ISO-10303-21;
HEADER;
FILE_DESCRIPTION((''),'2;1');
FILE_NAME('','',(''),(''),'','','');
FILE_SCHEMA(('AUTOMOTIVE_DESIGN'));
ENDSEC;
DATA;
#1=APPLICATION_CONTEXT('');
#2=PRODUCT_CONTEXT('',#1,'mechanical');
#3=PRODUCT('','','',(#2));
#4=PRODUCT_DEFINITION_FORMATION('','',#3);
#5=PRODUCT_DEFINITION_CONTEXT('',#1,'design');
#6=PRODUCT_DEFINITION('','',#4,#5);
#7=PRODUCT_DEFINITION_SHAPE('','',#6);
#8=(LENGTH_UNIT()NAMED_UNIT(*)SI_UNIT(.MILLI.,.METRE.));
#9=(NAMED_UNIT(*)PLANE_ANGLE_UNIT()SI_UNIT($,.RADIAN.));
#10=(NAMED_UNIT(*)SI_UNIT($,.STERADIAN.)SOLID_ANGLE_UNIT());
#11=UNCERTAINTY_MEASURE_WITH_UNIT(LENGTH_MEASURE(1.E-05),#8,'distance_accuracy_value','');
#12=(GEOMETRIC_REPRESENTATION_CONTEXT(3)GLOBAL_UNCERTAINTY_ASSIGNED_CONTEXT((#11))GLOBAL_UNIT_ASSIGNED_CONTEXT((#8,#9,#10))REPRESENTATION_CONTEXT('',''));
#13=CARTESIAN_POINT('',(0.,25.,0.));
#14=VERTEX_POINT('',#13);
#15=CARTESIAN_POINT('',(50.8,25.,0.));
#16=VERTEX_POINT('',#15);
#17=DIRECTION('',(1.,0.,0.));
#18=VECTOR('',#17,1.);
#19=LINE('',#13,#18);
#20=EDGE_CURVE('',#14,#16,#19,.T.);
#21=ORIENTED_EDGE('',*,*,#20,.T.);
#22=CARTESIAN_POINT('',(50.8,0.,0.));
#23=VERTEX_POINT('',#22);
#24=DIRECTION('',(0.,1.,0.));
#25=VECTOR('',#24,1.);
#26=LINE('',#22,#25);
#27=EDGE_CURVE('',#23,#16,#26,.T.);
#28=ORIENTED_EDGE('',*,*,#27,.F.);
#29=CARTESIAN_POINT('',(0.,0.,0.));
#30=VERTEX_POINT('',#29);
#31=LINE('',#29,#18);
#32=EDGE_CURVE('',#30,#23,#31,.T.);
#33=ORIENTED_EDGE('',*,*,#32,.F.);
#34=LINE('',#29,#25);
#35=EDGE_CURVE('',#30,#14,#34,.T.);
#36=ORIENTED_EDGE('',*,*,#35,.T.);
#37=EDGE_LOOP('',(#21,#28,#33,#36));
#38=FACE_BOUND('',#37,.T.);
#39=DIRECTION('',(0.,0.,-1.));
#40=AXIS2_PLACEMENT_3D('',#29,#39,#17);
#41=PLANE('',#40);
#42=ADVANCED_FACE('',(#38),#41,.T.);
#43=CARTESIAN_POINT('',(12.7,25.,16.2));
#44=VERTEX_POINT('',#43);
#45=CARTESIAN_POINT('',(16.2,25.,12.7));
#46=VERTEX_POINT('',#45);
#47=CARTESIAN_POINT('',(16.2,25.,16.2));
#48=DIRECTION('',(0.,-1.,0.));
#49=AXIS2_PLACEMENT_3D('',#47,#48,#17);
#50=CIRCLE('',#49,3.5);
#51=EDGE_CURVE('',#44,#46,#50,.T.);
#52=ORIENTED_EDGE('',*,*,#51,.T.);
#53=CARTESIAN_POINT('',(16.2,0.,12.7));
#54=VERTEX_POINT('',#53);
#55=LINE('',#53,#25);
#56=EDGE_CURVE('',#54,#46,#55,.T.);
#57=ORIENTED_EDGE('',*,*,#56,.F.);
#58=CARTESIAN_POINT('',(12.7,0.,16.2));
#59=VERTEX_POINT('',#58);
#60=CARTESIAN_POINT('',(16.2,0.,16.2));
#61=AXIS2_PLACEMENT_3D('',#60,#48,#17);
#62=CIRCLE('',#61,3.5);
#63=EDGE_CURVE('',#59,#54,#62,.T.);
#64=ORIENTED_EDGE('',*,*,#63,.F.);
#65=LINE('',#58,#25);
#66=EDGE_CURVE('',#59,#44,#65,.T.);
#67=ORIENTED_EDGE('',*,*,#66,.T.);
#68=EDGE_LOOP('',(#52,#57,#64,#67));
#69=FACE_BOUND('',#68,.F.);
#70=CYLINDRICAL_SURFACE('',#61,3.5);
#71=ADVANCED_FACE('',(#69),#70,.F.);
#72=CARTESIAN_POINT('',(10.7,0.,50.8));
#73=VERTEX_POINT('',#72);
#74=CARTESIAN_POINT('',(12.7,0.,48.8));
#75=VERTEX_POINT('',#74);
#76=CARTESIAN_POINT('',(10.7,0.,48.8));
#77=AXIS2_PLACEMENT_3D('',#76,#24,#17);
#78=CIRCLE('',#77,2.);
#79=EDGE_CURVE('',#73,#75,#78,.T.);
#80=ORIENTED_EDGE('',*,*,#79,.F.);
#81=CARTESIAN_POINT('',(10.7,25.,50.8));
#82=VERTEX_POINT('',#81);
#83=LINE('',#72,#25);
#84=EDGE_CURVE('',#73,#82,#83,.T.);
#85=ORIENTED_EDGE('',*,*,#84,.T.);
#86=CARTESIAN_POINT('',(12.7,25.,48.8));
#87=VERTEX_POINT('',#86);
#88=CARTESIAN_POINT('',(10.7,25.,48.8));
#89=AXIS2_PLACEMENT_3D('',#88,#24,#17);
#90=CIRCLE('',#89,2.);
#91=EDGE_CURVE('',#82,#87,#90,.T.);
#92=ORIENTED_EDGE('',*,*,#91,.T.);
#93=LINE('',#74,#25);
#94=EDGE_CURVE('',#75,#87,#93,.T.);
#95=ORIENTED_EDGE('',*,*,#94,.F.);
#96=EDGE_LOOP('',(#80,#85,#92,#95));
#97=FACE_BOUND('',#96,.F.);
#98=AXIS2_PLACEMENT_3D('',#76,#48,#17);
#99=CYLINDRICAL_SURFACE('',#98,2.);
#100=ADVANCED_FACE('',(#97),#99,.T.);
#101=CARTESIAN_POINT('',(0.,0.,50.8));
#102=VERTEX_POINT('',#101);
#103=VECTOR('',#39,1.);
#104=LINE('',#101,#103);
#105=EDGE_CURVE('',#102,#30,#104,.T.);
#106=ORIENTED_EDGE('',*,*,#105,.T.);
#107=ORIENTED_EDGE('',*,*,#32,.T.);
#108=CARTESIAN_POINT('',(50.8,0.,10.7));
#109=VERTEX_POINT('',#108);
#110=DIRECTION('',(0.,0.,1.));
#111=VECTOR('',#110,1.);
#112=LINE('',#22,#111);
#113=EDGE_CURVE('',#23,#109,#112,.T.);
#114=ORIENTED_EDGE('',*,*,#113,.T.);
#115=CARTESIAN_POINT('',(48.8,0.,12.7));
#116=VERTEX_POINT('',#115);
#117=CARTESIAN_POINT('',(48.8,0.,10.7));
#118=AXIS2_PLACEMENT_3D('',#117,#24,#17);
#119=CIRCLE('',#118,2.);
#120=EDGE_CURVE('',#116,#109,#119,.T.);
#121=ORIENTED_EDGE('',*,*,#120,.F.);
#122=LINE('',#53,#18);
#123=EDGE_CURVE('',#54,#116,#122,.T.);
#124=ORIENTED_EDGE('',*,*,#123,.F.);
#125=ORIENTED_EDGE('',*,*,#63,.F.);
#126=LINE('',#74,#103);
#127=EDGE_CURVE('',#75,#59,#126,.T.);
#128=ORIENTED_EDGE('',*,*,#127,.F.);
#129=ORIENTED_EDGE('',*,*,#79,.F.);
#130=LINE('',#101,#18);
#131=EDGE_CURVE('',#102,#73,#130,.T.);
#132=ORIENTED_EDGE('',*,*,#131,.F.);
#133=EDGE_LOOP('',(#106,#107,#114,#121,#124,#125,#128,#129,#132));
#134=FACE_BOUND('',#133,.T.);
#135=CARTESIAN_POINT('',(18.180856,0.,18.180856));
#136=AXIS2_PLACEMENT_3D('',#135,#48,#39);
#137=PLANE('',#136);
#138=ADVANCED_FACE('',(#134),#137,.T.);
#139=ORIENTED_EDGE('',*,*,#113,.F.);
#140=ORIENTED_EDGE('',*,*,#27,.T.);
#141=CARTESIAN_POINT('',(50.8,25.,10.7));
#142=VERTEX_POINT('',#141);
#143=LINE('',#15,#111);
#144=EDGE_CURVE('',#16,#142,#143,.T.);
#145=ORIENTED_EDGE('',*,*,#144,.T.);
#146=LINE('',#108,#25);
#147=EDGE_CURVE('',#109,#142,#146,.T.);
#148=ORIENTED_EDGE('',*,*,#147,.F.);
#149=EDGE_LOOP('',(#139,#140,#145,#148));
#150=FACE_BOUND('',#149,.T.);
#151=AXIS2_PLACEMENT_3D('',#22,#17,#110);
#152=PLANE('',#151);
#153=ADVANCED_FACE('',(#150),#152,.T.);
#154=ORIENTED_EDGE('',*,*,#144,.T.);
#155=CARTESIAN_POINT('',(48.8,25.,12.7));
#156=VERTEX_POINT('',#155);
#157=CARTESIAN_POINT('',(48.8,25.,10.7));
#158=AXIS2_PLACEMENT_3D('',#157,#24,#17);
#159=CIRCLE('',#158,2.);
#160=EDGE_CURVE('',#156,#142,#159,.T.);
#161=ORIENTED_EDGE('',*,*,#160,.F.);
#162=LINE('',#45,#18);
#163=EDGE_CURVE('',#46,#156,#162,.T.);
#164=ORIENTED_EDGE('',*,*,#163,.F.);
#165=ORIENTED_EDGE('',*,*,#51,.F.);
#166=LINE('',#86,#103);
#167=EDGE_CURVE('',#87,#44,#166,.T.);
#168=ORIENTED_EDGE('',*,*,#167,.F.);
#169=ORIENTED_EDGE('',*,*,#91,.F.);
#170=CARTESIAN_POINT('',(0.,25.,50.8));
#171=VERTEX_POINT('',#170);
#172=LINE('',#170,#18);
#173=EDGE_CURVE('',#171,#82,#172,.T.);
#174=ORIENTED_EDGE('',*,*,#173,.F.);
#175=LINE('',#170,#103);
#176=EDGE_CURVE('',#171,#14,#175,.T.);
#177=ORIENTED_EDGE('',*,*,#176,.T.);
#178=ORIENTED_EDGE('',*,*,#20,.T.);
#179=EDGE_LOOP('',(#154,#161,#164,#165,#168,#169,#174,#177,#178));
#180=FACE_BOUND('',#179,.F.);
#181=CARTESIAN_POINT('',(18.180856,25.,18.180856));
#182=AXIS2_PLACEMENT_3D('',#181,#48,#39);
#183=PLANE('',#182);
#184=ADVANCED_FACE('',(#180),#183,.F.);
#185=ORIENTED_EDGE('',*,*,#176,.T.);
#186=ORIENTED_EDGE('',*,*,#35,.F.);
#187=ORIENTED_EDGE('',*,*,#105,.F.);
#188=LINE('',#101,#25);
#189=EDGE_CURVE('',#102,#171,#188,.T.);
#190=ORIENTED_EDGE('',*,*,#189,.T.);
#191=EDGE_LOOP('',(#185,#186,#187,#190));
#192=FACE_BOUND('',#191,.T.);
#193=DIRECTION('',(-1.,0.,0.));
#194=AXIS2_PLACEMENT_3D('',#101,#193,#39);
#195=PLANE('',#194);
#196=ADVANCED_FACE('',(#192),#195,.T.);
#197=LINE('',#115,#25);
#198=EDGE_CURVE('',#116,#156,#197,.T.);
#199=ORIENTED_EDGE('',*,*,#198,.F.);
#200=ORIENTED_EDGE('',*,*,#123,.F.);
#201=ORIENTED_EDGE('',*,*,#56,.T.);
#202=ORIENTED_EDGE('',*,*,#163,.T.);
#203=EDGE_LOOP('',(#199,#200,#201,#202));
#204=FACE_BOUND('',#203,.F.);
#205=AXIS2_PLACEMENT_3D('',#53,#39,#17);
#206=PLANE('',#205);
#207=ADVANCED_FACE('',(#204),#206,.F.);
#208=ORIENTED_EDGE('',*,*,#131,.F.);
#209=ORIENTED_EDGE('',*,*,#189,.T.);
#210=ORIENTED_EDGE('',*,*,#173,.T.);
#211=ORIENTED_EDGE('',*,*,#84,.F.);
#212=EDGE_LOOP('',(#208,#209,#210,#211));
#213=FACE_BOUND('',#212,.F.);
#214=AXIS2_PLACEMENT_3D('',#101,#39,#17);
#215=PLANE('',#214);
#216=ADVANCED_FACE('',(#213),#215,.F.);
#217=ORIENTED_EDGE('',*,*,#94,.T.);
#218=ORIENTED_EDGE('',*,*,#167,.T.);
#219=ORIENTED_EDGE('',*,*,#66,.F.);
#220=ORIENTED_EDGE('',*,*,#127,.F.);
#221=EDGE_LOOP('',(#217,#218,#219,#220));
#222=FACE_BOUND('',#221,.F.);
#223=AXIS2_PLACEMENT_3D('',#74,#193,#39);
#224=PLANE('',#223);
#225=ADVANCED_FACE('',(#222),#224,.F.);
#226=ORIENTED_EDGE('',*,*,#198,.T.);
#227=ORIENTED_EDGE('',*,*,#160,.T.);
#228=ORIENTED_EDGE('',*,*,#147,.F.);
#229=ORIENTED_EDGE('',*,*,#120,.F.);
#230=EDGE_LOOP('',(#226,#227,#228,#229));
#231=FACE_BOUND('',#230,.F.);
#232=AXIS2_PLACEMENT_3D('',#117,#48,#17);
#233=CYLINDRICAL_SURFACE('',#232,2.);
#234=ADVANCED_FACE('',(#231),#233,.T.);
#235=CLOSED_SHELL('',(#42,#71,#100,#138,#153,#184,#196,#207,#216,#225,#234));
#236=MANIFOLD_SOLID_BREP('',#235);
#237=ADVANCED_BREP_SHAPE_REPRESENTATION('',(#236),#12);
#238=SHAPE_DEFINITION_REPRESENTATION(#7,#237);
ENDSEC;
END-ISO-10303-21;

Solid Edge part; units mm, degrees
sketch "Sketch1" plane through (0, 0, 0) normal (0, -1, 0) x (1, 0, 0)
  line L0 (0, 50.8) -> (0, 0)
  line L1 (0, 0) -> (50.8, 0)
  line L2 (50.8, 0) -> (50.8, 10.7)
  arc A0 (48.8, 12.7) -> (50.8, 10.7) centre (48.8, 10.7) cw
  line L3 (16.2, 12.7) -> (48.8, 12.7)
  arc A1 (12.7, 16.2) -> (16.2, 12.7) centre (16.2, 16.2) ccw
  line L4 (12.7, 48.8) -> (12.7, 16.2)
  arc A2 (10.7, 50.8) -> (12.7, 48.8) centre (10.7, 48.8) cw
  line L5 (0, 50.8) -> (10.7, 50.8)
  dimension "D1" = 50.8
  dimension "D2" = 12.7
  dimension "D3" = 3.5
  dimension "D4" = 2
  dimension "D5" = 50.8
extrude "Protrusion1" add sketch "Sketch1" against normal blind 25
properties material "Steel"
